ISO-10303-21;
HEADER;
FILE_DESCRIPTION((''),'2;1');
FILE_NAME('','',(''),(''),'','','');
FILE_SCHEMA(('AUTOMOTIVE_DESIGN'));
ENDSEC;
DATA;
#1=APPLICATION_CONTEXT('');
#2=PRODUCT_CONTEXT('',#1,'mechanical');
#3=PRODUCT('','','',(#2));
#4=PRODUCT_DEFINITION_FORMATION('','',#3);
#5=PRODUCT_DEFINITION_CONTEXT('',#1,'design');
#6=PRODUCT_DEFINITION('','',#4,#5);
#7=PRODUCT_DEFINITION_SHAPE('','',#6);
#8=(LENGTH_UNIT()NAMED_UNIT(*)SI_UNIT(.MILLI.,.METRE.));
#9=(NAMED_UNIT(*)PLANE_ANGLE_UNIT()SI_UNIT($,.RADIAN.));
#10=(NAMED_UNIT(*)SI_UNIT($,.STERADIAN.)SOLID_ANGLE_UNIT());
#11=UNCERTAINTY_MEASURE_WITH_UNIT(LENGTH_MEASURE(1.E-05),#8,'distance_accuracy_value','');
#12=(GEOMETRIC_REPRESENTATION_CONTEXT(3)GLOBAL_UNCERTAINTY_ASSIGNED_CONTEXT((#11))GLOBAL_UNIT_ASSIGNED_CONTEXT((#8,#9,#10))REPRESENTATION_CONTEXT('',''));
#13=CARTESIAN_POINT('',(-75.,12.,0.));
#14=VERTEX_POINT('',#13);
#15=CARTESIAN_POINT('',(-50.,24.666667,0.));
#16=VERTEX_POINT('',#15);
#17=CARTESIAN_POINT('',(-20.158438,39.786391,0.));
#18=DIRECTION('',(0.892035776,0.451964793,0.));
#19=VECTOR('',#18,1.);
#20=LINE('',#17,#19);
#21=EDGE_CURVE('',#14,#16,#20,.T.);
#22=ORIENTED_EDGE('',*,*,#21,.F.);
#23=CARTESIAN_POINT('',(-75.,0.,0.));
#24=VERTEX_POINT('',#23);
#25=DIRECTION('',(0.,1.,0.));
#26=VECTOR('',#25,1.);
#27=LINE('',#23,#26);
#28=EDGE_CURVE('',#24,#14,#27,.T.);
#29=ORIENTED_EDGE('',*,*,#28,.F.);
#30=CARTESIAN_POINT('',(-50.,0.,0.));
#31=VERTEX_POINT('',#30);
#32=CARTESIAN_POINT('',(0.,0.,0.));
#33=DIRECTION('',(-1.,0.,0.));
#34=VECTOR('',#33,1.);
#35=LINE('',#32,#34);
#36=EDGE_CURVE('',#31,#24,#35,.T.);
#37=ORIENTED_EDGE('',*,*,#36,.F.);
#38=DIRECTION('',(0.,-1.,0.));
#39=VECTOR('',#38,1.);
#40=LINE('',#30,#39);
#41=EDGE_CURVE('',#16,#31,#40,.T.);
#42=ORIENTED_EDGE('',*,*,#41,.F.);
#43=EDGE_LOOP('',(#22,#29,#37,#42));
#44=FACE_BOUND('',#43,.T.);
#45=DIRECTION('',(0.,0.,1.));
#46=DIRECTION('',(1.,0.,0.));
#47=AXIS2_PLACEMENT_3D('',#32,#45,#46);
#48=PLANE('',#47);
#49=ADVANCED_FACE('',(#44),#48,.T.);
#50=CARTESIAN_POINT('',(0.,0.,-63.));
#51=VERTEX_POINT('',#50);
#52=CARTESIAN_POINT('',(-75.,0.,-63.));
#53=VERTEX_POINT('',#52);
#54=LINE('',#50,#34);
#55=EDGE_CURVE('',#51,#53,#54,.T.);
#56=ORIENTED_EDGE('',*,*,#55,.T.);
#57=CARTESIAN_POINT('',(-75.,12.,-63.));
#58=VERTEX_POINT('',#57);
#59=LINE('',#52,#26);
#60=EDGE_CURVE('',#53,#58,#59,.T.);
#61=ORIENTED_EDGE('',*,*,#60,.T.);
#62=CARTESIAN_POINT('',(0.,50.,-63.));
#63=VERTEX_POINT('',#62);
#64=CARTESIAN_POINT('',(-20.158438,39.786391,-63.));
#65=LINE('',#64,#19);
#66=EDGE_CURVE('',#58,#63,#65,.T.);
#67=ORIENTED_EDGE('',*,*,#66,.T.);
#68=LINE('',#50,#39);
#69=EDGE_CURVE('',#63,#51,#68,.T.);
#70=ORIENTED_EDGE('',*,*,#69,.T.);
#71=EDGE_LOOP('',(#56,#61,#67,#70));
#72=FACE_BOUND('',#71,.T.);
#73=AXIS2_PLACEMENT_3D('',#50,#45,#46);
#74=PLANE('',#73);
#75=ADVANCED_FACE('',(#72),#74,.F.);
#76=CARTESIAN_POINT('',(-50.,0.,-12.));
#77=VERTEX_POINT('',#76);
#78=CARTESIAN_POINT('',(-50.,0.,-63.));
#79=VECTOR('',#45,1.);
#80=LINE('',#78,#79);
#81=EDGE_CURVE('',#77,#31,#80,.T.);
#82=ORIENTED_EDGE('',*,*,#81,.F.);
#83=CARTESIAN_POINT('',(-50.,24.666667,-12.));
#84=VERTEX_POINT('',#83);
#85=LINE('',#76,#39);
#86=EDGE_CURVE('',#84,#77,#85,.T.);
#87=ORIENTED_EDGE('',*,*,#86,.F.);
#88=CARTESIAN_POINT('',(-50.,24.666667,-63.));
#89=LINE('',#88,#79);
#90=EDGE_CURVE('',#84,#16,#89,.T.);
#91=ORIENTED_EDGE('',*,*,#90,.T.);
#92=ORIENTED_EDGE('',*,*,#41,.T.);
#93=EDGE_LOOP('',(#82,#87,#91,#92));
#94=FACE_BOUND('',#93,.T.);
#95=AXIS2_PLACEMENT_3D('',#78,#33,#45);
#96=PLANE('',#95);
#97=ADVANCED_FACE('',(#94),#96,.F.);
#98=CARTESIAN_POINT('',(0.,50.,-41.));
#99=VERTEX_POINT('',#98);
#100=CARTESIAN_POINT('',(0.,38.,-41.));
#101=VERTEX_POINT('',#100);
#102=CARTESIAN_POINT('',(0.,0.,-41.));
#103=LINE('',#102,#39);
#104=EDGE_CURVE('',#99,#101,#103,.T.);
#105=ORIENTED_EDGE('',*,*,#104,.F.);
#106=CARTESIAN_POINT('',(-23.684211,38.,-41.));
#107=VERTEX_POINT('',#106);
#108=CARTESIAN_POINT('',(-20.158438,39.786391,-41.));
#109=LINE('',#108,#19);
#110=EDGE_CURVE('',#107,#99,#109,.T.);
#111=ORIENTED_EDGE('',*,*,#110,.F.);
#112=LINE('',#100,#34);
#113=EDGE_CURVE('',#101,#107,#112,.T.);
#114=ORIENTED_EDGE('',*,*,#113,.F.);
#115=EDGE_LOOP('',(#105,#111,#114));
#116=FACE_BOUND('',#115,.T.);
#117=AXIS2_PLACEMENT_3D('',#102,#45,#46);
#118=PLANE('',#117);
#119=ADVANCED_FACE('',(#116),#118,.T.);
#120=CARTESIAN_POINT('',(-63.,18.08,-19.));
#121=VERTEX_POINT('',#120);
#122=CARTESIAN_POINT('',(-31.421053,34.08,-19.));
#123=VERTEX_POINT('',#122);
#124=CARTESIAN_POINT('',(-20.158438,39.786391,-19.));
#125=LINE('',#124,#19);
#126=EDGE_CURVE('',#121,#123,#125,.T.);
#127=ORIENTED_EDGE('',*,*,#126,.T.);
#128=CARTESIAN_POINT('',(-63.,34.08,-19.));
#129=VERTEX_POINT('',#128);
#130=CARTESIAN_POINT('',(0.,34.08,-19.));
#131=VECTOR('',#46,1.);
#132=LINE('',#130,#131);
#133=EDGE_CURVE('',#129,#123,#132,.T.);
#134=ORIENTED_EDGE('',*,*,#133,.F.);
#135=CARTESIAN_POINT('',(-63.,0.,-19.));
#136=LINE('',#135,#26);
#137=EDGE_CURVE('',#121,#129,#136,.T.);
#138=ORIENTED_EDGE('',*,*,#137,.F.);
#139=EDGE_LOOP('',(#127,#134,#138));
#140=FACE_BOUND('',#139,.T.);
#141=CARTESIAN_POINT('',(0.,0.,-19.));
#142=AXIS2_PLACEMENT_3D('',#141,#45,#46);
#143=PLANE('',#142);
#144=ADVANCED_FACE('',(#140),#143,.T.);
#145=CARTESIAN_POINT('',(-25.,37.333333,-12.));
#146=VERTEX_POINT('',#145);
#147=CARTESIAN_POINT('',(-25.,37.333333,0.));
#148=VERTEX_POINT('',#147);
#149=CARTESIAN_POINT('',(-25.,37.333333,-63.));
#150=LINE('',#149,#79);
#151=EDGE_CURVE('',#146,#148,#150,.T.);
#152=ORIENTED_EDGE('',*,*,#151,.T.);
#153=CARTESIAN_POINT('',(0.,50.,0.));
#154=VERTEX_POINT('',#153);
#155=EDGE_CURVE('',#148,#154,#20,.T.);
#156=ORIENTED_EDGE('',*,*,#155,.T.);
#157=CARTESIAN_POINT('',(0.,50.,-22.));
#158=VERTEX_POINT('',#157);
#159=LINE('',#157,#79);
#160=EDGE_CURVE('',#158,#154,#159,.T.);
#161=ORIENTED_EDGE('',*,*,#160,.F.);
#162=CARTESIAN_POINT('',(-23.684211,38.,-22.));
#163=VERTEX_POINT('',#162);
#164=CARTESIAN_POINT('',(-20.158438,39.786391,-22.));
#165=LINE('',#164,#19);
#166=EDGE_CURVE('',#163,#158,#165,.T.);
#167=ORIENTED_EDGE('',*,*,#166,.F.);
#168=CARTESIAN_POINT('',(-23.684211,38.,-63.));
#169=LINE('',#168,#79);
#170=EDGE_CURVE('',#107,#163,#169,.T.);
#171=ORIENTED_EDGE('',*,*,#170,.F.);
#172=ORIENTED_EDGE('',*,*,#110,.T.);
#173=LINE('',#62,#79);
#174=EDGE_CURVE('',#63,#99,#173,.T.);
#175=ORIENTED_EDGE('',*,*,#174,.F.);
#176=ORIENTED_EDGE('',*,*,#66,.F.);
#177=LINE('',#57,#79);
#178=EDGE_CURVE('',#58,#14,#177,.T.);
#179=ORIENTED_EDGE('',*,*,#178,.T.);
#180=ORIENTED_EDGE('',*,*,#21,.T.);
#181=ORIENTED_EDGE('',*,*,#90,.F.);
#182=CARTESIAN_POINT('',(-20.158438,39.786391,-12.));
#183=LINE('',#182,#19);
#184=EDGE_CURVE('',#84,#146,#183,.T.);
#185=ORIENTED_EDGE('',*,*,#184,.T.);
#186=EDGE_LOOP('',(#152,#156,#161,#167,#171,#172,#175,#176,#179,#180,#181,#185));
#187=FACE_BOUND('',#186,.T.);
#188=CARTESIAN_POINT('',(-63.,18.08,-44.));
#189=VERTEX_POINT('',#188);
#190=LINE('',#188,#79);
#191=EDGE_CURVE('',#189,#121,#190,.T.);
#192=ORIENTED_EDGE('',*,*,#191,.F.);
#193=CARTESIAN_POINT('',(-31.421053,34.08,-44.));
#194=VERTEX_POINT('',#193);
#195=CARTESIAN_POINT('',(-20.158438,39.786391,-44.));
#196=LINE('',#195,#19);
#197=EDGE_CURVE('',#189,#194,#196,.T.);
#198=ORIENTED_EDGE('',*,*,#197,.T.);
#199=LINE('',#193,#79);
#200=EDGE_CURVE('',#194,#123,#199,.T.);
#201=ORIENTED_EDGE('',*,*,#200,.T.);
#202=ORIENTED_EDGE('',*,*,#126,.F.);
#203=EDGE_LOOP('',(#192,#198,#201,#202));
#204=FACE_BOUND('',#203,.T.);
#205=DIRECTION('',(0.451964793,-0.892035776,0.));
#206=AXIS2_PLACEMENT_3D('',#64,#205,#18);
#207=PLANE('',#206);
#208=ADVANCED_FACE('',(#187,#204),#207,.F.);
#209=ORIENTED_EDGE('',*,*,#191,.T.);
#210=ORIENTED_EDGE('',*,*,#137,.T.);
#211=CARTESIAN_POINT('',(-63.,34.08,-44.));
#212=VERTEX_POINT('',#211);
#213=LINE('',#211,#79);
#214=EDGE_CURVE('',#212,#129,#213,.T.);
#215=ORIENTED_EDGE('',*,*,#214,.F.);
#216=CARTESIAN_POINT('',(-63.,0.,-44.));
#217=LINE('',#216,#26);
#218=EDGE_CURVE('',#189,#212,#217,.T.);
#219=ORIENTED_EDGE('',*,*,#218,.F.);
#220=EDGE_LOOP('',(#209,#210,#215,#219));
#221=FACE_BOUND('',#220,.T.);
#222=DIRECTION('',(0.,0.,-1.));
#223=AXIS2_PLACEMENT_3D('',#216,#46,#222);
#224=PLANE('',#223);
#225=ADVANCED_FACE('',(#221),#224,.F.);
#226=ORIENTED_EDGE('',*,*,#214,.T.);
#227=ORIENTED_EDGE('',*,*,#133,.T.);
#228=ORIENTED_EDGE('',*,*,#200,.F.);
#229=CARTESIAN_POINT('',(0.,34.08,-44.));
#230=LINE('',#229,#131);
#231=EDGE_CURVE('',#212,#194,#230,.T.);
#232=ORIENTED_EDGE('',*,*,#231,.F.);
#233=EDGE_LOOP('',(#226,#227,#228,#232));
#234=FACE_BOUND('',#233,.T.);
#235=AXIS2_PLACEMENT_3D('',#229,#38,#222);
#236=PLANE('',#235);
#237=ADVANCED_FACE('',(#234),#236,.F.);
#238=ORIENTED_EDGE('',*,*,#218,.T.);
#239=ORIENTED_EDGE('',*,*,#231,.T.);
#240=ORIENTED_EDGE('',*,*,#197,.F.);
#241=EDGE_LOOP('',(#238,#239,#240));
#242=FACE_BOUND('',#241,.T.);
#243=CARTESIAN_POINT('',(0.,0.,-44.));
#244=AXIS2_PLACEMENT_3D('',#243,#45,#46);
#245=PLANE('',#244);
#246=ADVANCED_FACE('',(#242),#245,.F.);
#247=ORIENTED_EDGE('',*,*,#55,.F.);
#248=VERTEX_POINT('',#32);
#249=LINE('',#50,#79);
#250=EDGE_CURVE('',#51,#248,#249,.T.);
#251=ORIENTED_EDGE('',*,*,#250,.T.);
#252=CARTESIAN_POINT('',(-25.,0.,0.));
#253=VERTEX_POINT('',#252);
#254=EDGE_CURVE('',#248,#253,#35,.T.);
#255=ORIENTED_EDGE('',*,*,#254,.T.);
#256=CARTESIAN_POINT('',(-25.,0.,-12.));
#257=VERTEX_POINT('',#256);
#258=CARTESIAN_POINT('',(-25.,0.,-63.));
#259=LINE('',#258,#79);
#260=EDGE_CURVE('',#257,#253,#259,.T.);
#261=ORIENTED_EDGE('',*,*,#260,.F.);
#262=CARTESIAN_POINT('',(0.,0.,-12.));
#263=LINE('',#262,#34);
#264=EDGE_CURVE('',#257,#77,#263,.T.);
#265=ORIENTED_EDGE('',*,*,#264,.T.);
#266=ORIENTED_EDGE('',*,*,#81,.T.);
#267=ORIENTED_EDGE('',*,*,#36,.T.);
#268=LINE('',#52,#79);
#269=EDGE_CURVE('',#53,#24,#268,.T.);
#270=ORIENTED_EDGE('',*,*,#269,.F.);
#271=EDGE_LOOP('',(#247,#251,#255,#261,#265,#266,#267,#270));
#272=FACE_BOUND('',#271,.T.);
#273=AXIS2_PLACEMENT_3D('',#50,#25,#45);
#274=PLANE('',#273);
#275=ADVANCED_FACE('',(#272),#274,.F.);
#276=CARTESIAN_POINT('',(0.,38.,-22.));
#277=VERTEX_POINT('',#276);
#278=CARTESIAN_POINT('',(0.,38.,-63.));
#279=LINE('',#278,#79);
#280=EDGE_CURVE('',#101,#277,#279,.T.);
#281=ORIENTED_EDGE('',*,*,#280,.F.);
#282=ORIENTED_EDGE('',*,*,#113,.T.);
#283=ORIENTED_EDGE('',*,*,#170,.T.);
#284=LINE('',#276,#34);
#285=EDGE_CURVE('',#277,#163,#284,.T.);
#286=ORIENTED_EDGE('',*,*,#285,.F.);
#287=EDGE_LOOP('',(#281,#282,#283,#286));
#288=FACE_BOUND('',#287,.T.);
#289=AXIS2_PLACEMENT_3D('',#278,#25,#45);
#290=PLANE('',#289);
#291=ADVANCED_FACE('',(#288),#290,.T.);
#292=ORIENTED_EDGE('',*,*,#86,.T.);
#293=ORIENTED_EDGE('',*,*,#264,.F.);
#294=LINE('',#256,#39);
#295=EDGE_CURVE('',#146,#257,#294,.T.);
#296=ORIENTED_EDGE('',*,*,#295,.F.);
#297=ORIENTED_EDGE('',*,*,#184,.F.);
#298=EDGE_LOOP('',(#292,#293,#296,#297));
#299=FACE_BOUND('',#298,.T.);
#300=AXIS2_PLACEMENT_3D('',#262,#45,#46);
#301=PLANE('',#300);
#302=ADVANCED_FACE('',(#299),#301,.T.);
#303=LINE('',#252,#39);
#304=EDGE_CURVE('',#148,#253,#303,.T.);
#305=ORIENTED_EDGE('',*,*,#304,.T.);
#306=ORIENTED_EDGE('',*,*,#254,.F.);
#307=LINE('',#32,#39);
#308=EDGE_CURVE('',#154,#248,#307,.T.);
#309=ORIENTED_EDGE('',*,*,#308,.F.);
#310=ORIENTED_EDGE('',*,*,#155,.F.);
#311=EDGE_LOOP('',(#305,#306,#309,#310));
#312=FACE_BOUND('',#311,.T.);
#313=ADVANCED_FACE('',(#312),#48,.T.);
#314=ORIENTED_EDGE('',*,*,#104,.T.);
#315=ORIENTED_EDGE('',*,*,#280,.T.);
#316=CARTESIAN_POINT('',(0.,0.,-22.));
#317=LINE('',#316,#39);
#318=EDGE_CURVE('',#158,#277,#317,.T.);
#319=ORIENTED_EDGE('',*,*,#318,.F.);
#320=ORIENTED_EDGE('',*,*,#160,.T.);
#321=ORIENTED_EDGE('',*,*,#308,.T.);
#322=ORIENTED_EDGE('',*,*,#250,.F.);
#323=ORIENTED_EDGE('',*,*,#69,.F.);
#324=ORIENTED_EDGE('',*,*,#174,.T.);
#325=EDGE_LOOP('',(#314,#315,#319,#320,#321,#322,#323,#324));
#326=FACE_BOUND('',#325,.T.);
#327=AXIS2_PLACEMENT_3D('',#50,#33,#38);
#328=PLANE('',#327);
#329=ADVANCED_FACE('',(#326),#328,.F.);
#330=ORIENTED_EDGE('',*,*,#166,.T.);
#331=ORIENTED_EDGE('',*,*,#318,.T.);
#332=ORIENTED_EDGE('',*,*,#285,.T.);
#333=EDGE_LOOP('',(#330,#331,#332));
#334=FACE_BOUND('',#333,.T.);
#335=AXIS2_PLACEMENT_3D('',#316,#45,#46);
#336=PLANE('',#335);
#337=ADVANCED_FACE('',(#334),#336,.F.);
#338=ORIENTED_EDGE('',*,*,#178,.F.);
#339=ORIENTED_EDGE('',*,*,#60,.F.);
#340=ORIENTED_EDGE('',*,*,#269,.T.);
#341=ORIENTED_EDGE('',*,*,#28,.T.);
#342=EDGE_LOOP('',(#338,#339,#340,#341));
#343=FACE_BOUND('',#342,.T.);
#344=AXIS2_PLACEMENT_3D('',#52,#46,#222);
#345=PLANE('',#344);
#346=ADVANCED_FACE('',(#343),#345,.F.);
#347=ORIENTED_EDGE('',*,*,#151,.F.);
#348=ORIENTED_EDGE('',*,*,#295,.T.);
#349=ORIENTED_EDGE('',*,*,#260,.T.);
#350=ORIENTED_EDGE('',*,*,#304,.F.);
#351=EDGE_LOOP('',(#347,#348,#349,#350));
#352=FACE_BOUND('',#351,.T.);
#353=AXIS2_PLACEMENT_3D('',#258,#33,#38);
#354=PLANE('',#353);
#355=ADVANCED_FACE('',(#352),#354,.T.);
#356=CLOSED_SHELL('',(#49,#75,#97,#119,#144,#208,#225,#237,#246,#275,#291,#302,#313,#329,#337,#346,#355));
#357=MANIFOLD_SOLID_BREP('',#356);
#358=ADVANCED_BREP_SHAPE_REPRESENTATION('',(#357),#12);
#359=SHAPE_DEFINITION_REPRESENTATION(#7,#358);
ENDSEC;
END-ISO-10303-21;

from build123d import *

# Parameters (mm, degrees)
BOSS_EXTRUDE1_DEPTH   = 63
BOSS_EXTRUDE1_2_DEPTH = 63
BOSS_EXTRUDE2_START   = -12
BOSS_EXTRUDE2_DEPTH   = 51
BOSS_EXTRUDE3_START   = -19
BOSS_EXTRUDE3_DEPTH   = 25
BOSS_EXTRUDE4_START   = -41
BOSS_EXTRUDE4_DEPTH   = 22
BOSS_EXTRUDE5_DEPTH   = 22


with BuildPart() as part:
    # Sketch1 → Boss-Extrude1 (new body)
    with BuildSketch(Plane.XY):
        Polygon((-25, 0), (0, 0), (0, 38), (-23.684210526, 38), (-25, 37.333333333), align=None)
    extrude(amount=-BOSS_EXTRUDE1_DEPTH)



with BuildPart() as body_2:
    # Sketch1 → Boss-Extrude1 2 (new body)
    with BuildSketch(Plane.XY):
        Polygon((-75, 0), (-50, 0), (-50, 24.666666667), (-75, 12), align=None)
    extrude(amount=-BOSS_EXTRUDE1_2_DEPTH)


with BuildPart() as part_1:
    add(part.part)

    add(body_2.part)  # Boss-Extrude2 merges body 2
    # Sketch1<3> → Boss-Extrude2 (add)
    with BuildSketch(Plane.XY.offset(BOSS_EXTRUDE2_START)):
        Polygon((-50, 0), (-25, 0), (-25, 37.333333333), (-31.421052632, 34.08), (-50, 24.666666667), align=None)
    extrude(amount=-BOSS_EXTRUDE2_DEPTH)

    # Sketch1<4> → Boss-Extrude3 (add)
    with BuildSketch(Plane.XY.offset(BOSS_EXTRUDE3_START)):
        Polygon((-63, 18.08), (-50, 24.666666667), (-31.421052632, 34.08), (-63, 34.08), align=None)
    extrude(amount=-BOSS_EXTRUDE3_DEPTH)

    # Sketch1<5> → Boss-Extrude4 (add)
    with BuildSketch(Plane.XY.offset(BOSS_EXTRUDE4_START)):
        Polygon((-23.684210526, 38), (0, 38), (0, 50), align=None)
    extrude(amount=-BOSS_EXTRUDE4_DEPTH)

    # Sketch1<6> → Boss-Extrude5 (add)
    with BuildSketch(Plane.XY):
        Polygon((-23.684210526, 38), (0, 38), (0, 50), align=None)
    extrude(amount=-BOSS_EXTRUDE5_DEPTH)


solid = part_1.part
